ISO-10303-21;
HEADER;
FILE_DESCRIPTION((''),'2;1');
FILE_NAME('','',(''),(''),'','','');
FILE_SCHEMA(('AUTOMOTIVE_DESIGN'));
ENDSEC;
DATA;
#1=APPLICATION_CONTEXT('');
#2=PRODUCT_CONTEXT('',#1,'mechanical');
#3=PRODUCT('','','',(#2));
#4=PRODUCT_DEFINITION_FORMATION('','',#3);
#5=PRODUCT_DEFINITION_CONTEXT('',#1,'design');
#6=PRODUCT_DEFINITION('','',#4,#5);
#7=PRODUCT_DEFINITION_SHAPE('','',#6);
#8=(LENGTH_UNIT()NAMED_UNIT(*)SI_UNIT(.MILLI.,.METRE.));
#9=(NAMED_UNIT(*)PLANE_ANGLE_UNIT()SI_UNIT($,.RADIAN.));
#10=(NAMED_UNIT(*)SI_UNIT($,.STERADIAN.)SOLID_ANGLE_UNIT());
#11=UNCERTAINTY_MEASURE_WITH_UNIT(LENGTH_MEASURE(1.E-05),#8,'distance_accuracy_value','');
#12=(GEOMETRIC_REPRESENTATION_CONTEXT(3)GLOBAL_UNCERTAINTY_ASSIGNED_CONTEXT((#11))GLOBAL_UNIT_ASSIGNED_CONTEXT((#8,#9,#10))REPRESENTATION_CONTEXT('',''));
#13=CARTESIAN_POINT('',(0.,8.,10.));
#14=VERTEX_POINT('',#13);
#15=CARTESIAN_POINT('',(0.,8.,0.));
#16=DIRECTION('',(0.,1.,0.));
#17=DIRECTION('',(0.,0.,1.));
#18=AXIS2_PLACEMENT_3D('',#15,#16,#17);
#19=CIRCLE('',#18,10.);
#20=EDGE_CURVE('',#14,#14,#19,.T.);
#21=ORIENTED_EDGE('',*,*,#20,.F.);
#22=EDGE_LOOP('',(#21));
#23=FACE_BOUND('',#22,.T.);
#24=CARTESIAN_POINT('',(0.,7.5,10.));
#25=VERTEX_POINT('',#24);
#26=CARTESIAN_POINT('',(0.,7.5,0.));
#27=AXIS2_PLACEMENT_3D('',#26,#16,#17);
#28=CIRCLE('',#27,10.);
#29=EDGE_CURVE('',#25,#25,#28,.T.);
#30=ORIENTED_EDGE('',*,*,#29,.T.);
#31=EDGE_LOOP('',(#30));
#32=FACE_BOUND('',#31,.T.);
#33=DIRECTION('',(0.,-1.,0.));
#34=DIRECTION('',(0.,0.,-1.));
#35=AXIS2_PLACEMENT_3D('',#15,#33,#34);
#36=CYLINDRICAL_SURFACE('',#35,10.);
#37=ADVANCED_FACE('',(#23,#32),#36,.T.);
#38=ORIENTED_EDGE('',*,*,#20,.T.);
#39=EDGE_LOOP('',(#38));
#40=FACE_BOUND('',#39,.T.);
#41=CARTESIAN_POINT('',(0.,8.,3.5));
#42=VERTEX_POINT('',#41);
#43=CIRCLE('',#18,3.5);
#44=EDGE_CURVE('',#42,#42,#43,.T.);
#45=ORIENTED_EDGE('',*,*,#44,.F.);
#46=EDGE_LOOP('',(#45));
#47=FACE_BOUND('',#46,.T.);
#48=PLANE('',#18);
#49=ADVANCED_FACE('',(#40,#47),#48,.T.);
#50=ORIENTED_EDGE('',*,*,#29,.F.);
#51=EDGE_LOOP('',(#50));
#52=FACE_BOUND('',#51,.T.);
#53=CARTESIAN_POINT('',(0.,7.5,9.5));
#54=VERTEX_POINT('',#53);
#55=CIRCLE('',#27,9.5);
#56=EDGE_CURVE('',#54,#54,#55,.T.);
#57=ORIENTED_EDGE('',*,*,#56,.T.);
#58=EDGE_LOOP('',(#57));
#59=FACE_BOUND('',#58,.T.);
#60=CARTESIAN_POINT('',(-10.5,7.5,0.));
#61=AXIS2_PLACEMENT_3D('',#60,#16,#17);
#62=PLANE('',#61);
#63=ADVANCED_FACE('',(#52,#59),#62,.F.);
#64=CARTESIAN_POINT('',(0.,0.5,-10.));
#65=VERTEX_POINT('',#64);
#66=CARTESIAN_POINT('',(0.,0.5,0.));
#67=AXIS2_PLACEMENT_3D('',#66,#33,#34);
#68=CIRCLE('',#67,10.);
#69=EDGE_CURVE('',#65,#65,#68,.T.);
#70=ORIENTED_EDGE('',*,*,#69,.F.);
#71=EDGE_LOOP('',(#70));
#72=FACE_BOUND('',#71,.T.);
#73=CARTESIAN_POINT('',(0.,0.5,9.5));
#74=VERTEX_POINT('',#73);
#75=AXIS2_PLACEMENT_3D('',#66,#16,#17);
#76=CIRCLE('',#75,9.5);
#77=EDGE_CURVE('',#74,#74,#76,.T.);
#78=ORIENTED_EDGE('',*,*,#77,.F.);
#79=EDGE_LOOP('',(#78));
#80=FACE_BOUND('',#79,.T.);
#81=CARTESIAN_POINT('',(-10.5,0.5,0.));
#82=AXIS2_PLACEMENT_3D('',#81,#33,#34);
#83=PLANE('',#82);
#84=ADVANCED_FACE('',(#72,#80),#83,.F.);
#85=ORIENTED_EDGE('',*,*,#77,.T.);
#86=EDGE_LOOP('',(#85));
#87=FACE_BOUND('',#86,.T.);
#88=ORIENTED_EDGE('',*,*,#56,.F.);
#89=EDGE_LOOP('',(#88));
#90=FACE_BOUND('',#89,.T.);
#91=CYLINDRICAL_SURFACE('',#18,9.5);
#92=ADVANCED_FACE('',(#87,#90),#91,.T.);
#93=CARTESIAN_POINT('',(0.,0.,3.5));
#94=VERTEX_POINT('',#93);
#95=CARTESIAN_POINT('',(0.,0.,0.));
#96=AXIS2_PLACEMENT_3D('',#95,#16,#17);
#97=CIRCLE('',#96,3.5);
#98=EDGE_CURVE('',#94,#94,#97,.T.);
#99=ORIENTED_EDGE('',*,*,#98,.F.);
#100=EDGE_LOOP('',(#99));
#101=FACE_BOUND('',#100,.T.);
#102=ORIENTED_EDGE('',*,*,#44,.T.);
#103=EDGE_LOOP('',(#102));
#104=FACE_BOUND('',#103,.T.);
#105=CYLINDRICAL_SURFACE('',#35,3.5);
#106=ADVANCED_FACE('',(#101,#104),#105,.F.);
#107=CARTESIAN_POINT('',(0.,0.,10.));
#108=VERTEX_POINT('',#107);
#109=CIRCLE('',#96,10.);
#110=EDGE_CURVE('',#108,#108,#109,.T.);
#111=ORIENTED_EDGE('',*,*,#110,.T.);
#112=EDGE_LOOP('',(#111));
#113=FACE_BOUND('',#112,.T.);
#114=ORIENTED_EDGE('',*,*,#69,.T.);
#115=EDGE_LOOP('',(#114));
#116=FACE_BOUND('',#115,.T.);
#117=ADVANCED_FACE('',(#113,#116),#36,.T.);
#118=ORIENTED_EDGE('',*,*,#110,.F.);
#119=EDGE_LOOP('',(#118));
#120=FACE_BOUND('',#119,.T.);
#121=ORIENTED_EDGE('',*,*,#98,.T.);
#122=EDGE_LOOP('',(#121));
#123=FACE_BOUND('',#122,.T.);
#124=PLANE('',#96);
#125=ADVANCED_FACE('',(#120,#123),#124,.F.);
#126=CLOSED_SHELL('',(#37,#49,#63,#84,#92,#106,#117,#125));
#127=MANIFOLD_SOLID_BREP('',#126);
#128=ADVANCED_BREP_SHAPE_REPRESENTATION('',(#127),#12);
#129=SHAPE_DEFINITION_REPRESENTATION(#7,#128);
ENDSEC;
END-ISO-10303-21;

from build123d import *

# Parameters (mm, degrees)
SKETCH2_R           = 10
SKETCH2_R_2         = 3.5
BOSS_EXTRUDE1_DEPTH = 8
SKETCH3_W           = 1
SKETCH3_H           = 7


with BuildPart() as part:
    # Sketch2 → Boss-Extrude1 (new body)
    with BuildSketch(Plane(origin=(0, 0, 0), x_dir=(1, 0, 0), z_dir=(0, 1, 0))):
        with Locations(Location((0, 0, 0), (0, 0, 270))):
            Circle(SKETCH2_R)
        with Locations(Location((0, 0, 0), (0, 0, 270))):
            Circle(SKETCH2_R_2, mode=Mode.SUBTRACT)
    extrude(amount=BOSS_EXTRUDE1_DEPTH)

    # Sketch3 → Cut-Revolve1 (revolve, cut)
    with BuildSketch(Plane.XY, mode=Mode.PRIVATE) as cut_revolve1_sk:
        with Locations((-10, 4)):
            Rectangle(SKETCH3_W, SKETCH3_H)
    revolve(cut_revolve1_sk.sketch.rotate(Axis((0, 8, 0), (0, -1, 0)), 270), axis=Axis((0, 8, 0), (0, -1, 0)), mode=Mode.SUBTRACT)


solid = part.part
